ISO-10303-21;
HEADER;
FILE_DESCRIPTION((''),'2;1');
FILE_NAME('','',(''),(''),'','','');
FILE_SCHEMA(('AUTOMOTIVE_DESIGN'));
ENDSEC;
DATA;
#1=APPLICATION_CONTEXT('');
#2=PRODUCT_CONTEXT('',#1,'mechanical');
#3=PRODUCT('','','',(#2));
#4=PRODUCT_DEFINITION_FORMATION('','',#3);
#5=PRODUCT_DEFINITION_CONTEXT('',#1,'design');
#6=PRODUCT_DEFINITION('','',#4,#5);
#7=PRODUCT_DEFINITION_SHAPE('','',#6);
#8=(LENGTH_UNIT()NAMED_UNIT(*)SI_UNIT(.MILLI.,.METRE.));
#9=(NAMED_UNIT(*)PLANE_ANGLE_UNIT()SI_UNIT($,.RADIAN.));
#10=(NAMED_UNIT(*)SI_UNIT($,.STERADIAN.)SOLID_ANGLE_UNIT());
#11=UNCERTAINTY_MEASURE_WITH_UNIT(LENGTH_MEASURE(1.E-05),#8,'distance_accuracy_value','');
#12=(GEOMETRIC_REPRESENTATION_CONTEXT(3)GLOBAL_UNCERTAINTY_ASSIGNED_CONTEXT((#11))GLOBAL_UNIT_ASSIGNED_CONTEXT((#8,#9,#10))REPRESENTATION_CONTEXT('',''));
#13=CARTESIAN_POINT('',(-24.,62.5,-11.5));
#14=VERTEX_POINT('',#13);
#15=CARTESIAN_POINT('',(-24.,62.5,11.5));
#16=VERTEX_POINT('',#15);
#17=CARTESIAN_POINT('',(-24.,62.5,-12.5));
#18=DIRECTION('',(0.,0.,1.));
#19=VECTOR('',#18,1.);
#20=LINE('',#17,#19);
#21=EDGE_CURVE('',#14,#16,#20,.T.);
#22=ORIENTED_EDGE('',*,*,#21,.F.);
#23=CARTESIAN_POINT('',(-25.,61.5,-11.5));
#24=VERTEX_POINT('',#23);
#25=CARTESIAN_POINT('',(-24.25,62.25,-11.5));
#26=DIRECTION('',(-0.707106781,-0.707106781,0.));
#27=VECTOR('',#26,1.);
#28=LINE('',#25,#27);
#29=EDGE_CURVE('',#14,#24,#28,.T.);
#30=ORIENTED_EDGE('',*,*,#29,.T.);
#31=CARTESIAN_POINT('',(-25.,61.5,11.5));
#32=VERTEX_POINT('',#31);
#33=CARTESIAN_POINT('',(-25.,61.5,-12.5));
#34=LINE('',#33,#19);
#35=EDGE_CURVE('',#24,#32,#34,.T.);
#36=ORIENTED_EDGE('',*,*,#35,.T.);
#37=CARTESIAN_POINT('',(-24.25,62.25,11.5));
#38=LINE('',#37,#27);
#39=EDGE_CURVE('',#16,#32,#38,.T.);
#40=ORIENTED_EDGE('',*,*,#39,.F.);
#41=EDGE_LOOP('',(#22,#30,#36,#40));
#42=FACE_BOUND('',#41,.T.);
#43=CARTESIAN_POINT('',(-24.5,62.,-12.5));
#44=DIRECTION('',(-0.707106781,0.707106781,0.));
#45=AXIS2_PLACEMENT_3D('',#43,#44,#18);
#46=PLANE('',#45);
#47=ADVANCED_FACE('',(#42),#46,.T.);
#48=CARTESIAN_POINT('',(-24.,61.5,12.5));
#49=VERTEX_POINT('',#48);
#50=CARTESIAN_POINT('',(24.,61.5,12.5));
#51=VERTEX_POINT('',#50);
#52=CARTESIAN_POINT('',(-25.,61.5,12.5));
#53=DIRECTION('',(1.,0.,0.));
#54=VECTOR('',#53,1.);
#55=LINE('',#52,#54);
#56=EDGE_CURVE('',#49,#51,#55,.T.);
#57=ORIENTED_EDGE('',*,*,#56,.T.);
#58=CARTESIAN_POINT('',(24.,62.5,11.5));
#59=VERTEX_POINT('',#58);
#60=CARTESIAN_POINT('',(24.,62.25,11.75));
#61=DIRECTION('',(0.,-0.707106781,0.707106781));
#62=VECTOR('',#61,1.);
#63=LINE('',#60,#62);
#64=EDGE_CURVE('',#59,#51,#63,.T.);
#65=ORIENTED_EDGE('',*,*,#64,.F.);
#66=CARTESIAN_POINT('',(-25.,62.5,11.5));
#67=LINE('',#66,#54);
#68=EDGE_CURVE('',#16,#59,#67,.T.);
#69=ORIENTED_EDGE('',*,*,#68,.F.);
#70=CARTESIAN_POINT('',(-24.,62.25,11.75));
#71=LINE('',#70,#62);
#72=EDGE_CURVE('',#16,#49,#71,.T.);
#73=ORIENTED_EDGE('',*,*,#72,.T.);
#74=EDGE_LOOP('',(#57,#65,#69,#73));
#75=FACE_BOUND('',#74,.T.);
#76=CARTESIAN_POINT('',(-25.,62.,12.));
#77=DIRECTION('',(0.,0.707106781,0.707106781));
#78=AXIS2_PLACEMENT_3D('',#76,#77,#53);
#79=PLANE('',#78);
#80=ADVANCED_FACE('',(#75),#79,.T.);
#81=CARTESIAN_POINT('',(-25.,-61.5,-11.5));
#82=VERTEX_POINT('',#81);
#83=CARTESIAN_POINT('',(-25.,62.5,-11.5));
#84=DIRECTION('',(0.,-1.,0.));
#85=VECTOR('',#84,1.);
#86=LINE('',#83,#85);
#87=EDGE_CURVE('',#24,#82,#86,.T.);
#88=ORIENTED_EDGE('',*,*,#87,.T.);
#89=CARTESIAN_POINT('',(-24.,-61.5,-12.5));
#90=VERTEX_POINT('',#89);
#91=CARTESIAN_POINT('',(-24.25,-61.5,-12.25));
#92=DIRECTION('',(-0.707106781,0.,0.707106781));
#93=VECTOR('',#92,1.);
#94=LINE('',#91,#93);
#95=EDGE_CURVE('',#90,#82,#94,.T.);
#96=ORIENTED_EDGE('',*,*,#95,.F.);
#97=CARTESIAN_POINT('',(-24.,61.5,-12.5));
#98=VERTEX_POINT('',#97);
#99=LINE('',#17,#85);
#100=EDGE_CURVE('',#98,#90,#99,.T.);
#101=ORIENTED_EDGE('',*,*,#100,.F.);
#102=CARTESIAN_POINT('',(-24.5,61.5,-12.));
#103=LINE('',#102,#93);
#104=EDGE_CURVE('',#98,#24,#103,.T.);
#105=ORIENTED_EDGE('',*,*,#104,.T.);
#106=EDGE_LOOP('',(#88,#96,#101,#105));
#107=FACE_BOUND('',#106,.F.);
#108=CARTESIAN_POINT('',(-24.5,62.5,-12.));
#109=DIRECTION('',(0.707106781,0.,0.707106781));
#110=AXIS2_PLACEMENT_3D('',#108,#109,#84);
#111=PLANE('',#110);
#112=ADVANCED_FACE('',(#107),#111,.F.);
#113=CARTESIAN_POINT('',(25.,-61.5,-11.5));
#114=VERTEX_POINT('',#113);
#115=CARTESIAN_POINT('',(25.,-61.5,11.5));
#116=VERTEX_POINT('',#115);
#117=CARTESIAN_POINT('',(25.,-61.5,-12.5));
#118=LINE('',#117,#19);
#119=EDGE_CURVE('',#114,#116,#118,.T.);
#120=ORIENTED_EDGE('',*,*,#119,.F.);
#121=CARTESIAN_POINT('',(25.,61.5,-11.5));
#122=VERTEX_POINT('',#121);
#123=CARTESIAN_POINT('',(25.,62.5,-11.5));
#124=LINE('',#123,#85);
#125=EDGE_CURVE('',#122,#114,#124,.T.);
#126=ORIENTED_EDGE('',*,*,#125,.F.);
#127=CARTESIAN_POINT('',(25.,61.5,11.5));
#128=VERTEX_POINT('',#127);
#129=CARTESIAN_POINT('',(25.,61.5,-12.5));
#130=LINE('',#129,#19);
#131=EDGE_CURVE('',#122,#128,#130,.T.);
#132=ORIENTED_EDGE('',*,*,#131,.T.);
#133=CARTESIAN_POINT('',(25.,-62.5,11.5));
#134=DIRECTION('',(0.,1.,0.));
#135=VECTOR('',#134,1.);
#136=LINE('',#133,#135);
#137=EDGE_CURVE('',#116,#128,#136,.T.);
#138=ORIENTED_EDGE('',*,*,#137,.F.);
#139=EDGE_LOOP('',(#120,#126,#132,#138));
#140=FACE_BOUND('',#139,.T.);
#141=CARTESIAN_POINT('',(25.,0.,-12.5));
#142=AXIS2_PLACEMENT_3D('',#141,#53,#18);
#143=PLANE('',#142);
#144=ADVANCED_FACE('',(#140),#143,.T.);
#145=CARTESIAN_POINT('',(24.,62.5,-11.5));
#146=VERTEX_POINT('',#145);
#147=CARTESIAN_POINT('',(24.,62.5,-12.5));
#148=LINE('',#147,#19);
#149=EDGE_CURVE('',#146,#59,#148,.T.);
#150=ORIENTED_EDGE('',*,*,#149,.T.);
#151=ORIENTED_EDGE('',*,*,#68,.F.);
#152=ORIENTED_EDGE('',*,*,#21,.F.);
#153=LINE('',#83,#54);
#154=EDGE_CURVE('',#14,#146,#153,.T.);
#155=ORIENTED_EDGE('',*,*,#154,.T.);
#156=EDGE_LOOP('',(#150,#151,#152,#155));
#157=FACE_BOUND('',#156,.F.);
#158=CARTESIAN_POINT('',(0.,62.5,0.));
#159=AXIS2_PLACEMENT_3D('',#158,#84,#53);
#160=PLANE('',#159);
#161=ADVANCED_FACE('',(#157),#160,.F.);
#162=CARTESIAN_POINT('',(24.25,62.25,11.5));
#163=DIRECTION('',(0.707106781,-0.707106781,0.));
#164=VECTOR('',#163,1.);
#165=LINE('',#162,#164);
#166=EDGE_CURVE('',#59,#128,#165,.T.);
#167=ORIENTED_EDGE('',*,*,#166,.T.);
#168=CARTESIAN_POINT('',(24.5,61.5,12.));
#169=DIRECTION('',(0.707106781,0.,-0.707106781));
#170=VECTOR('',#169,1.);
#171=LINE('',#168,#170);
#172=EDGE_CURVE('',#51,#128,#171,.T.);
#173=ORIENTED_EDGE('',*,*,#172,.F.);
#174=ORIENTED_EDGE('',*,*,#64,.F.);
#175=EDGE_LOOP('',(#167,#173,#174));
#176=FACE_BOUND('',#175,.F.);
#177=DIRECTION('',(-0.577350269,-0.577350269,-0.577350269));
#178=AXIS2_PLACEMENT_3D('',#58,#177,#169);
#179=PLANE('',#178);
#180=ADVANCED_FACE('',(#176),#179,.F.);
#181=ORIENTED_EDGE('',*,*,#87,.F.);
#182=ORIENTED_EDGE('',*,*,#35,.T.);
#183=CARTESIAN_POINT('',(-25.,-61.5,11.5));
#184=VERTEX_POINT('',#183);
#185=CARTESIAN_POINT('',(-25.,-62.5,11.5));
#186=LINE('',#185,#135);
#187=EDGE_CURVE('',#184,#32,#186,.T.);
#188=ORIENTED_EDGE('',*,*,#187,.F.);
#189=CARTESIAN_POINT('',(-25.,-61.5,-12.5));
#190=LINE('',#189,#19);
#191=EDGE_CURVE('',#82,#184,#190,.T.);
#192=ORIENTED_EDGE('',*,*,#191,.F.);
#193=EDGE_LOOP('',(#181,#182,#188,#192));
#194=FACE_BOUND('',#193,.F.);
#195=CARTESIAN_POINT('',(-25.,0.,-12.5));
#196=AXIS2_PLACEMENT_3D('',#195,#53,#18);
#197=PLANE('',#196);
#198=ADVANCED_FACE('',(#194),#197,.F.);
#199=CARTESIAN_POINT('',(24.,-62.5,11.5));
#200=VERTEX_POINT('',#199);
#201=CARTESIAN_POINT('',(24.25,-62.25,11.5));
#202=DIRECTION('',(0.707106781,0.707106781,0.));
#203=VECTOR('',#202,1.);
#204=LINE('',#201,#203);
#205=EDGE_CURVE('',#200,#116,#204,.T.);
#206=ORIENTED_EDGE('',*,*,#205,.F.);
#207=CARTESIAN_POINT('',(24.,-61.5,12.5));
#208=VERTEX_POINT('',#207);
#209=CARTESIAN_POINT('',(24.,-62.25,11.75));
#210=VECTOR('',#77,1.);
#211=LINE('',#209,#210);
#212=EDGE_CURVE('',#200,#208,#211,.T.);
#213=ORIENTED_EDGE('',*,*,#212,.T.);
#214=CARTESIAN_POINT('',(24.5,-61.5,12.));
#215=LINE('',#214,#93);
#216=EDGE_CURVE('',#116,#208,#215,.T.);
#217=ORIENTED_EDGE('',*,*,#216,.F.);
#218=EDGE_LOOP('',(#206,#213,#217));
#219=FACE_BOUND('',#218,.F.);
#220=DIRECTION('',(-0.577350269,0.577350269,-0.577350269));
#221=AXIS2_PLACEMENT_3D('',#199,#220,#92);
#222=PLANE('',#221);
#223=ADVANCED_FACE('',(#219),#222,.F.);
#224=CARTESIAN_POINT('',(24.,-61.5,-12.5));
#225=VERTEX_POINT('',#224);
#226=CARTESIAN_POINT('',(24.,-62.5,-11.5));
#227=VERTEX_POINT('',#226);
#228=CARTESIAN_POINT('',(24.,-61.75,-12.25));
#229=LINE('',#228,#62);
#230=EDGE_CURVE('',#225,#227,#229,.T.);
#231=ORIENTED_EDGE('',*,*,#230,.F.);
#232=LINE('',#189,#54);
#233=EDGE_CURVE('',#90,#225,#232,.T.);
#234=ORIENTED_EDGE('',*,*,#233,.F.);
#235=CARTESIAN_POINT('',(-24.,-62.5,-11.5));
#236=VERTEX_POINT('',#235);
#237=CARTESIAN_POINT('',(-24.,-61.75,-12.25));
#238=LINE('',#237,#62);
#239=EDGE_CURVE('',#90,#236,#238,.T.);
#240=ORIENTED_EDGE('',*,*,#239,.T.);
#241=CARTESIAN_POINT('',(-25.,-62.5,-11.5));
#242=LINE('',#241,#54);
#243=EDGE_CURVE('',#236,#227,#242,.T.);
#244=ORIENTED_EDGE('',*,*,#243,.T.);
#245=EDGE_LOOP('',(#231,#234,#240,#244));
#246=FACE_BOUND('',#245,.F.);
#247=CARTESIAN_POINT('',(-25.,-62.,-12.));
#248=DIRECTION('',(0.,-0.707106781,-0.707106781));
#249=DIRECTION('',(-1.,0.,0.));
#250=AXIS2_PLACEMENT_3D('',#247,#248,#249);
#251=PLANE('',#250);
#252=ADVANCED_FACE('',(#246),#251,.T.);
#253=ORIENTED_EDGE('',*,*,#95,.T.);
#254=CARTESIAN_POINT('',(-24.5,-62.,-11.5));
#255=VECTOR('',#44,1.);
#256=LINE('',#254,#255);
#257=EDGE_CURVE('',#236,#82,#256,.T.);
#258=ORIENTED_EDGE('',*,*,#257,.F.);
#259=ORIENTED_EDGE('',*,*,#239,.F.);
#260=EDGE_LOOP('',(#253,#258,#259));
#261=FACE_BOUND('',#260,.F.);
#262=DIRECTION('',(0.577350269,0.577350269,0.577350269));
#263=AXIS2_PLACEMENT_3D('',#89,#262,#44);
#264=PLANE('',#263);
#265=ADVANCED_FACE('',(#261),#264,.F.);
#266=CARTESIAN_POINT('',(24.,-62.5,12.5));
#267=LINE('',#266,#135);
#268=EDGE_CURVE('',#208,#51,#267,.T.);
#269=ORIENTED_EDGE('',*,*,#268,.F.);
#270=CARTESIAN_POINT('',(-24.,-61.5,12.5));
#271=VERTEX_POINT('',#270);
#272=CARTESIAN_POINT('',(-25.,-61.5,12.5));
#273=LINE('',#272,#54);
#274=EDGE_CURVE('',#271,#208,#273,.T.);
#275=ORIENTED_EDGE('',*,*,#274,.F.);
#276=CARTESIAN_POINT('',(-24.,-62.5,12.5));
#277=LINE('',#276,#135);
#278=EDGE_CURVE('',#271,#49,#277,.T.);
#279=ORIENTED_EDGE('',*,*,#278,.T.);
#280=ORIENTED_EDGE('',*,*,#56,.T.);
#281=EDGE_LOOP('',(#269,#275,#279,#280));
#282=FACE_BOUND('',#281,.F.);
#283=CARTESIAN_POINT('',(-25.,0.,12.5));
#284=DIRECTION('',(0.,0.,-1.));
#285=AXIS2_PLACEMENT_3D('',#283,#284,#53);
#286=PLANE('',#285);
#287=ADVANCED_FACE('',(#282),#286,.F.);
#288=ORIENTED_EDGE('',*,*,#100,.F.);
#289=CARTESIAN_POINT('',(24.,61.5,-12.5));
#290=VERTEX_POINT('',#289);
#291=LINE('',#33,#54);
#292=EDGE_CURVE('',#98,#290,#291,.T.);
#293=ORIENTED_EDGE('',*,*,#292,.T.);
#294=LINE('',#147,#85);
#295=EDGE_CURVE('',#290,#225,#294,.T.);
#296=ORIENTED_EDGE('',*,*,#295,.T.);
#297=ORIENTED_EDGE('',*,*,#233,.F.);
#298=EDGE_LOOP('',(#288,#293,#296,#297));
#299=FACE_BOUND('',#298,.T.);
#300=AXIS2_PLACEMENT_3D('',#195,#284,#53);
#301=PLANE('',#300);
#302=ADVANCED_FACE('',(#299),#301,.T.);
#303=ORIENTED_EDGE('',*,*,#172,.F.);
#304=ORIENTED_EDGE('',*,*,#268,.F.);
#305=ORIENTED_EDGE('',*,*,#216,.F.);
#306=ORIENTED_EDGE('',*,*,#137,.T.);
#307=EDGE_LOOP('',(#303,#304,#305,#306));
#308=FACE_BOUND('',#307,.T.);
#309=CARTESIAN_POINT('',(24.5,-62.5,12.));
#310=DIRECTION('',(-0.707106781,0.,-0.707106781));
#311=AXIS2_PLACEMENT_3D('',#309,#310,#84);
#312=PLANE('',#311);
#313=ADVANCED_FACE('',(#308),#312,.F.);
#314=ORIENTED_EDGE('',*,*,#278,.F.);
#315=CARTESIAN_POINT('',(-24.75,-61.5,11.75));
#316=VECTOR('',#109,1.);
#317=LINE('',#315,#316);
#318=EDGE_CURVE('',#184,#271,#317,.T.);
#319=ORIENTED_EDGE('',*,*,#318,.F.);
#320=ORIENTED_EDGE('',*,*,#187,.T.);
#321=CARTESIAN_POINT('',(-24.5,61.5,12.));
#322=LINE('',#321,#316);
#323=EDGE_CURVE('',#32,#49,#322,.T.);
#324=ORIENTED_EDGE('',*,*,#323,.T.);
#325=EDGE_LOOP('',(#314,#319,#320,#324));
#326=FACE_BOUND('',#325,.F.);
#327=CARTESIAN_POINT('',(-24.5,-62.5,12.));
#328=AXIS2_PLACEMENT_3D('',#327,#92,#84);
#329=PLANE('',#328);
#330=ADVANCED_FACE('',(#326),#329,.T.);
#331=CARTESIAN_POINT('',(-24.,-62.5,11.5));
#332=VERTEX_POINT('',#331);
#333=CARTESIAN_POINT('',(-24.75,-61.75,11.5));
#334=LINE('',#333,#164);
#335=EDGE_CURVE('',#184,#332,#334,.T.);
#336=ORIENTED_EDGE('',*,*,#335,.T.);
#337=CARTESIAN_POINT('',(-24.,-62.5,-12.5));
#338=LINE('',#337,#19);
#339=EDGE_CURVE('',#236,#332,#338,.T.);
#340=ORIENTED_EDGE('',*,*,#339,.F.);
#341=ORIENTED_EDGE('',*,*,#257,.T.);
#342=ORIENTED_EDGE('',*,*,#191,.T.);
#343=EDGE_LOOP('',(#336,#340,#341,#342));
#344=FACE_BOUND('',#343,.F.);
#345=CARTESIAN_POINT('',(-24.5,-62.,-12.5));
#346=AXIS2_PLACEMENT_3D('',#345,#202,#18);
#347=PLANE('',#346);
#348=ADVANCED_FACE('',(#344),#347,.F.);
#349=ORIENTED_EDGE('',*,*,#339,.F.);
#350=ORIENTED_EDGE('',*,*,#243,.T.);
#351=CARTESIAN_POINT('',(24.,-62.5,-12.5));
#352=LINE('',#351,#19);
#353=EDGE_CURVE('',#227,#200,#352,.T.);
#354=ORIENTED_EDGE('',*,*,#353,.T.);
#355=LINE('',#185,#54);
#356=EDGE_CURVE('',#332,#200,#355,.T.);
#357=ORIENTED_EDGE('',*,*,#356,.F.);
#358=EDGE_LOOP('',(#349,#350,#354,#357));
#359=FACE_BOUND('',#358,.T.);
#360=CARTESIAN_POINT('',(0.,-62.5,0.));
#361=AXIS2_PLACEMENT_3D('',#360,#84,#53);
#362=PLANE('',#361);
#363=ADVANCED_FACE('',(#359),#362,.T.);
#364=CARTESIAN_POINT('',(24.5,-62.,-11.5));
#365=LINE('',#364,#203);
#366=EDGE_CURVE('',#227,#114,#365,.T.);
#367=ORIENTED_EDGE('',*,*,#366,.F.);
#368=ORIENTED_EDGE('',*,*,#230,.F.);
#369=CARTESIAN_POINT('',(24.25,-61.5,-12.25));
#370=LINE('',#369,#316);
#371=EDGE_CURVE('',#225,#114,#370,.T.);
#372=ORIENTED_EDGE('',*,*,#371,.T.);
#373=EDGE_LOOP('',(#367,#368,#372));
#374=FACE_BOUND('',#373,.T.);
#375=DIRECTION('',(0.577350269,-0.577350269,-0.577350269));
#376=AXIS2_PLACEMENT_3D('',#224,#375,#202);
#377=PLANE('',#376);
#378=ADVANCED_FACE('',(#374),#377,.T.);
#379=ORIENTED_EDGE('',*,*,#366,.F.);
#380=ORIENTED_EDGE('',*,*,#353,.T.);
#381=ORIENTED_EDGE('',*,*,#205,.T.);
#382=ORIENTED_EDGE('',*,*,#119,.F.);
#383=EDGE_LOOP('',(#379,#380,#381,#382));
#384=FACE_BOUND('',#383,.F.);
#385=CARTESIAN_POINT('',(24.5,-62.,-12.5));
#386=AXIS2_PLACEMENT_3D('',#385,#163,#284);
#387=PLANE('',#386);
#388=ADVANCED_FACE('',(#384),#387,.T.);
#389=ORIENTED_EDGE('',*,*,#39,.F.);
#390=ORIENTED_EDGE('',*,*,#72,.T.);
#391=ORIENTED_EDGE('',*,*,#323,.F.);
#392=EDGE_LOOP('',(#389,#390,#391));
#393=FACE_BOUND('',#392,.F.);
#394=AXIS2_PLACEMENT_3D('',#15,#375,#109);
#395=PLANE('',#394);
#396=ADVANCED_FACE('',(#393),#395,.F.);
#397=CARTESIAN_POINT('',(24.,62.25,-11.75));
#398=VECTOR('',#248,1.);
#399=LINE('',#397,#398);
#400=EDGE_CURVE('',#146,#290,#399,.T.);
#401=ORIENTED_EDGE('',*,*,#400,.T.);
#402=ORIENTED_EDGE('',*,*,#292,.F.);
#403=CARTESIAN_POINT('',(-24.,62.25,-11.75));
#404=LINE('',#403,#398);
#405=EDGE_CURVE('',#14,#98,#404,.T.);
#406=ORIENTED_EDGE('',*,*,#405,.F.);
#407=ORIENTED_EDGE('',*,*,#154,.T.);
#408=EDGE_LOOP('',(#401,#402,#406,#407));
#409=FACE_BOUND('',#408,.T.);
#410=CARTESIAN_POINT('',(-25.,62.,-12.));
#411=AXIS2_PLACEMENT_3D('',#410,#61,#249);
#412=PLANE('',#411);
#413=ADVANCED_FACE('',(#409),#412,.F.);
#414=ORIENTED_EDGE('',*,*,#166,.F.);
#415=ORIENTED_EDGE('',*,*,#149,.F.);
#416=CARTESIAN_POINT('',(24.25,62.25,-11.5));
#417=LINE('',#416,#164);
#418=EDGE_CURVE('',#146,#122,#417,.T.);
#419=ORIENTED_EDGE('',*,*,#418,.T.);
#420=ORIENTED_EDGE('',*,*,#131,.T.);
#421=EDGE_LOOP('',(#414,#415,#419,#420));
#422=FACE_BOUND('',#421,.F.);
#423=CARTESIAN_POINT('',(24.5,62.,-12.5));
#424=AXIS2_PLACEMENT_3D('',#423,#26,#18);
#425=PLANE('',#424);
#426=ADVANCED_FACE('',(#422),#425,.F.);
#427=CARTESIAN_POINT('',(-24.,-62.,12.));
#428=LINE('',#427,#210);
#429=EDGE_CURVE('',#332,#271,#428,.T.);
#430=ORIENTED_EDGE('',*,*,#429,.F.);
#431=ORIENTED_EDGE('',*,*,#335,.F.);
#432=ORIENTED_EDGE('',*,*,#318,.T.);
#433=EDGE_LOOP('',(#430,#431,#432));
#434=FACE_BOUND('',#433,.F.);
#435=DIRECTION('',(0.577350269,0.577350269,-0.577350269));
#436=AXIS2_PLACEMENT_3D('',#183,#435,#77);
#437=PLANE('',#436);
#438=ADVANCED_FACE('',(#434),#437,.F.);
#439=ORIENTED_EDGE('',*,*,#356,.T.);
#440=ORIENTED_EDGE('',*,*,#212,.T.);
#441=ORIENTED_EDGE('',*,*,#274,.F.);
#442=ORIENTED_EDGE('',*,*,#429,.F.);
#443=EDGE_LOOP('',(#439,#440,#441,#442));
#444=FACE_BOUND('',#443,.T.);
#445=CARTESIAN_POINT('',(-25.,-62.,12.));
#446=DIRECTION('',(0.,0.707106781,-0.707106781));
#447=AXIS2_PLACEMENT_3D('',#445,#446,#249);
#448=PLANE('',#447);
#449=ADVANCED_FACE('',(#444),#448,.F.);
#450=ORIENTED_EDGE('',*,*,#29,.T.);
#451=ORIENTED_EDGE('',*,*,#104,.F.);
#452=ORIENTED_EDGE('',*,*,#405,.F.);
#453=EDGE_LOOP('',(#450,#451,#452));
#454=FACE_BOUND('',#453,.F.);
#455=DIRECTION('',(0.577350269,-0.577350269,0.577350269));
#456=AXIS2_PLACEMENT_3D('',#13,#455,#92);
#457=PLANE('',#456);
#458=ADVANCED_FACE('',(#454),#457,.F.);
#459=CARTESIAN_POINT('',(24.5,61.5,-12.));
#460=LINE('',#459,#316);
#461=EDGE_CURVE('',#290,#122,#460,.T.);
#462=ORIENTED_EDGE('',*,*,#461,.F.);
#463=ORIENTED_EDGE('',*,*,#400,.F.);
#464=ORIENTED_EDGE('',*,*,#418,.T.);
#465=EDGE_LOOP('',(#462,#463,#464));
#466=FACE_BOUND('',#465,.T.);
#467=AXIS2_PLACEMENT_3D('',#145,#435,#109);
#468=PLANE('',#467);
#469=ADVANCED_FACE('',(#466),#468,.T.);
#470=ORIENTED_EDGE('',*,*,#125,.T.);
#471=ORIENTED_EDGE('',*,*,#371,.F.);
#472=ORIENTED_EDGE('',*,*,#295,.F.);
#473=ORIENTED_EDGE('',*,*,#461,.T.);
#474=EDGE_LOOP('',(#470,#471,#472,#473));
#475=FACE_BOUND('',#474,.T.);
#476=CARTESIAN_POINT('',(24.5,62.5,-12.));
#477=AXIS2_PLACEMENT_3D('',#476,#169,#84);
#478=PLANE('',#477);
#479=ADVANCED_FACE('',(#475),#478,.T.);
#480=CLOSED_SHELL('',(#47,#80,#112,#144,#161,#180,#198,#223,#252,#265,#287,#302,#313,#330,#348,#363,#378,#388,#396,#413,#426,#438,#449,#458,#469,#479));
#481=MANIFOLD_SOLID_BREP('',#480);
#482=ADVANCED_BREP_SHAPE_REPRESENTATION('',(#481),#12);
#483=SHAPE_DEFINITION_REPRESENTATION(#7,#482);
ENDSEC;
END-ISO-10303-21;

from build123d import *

# Parameters (mm, degrees)
F0_W     = 50
F0_H     = 25
F1_DEPTH = 62.5
F2_SIZE  = 1


with BuildPart() as f1:
    # F0 (on Front) → F1 (new body, symmetric)
    with BuildSketch(Plane.XZ):
        Rectangle(F0_W, F0_H)
    extrude(amount=F1_DEPTH, both=True)

    # F2
    f2_edges = [f1.edges().sort_by_distance(p)[0] for p in [
        (25, 0, 12.5),
        (25, -62.5, 0),
        (0, -62.5, 12.5),
        (-25, -62.5, 0),
        (0, -62.5, -12.5),
        (25, 0, -12.5),
        (-25, 0, 12.5),
        (-25, 0, -12.5),
        (0, 62.5, -12.5),
        (-25, 62.5, 0),
        (0, 62.5, 12.5),
        (25, 62.5, 0),
    ]]
    chamfer(f2_edges, length=F2_SIZE)


solid = f1.part
